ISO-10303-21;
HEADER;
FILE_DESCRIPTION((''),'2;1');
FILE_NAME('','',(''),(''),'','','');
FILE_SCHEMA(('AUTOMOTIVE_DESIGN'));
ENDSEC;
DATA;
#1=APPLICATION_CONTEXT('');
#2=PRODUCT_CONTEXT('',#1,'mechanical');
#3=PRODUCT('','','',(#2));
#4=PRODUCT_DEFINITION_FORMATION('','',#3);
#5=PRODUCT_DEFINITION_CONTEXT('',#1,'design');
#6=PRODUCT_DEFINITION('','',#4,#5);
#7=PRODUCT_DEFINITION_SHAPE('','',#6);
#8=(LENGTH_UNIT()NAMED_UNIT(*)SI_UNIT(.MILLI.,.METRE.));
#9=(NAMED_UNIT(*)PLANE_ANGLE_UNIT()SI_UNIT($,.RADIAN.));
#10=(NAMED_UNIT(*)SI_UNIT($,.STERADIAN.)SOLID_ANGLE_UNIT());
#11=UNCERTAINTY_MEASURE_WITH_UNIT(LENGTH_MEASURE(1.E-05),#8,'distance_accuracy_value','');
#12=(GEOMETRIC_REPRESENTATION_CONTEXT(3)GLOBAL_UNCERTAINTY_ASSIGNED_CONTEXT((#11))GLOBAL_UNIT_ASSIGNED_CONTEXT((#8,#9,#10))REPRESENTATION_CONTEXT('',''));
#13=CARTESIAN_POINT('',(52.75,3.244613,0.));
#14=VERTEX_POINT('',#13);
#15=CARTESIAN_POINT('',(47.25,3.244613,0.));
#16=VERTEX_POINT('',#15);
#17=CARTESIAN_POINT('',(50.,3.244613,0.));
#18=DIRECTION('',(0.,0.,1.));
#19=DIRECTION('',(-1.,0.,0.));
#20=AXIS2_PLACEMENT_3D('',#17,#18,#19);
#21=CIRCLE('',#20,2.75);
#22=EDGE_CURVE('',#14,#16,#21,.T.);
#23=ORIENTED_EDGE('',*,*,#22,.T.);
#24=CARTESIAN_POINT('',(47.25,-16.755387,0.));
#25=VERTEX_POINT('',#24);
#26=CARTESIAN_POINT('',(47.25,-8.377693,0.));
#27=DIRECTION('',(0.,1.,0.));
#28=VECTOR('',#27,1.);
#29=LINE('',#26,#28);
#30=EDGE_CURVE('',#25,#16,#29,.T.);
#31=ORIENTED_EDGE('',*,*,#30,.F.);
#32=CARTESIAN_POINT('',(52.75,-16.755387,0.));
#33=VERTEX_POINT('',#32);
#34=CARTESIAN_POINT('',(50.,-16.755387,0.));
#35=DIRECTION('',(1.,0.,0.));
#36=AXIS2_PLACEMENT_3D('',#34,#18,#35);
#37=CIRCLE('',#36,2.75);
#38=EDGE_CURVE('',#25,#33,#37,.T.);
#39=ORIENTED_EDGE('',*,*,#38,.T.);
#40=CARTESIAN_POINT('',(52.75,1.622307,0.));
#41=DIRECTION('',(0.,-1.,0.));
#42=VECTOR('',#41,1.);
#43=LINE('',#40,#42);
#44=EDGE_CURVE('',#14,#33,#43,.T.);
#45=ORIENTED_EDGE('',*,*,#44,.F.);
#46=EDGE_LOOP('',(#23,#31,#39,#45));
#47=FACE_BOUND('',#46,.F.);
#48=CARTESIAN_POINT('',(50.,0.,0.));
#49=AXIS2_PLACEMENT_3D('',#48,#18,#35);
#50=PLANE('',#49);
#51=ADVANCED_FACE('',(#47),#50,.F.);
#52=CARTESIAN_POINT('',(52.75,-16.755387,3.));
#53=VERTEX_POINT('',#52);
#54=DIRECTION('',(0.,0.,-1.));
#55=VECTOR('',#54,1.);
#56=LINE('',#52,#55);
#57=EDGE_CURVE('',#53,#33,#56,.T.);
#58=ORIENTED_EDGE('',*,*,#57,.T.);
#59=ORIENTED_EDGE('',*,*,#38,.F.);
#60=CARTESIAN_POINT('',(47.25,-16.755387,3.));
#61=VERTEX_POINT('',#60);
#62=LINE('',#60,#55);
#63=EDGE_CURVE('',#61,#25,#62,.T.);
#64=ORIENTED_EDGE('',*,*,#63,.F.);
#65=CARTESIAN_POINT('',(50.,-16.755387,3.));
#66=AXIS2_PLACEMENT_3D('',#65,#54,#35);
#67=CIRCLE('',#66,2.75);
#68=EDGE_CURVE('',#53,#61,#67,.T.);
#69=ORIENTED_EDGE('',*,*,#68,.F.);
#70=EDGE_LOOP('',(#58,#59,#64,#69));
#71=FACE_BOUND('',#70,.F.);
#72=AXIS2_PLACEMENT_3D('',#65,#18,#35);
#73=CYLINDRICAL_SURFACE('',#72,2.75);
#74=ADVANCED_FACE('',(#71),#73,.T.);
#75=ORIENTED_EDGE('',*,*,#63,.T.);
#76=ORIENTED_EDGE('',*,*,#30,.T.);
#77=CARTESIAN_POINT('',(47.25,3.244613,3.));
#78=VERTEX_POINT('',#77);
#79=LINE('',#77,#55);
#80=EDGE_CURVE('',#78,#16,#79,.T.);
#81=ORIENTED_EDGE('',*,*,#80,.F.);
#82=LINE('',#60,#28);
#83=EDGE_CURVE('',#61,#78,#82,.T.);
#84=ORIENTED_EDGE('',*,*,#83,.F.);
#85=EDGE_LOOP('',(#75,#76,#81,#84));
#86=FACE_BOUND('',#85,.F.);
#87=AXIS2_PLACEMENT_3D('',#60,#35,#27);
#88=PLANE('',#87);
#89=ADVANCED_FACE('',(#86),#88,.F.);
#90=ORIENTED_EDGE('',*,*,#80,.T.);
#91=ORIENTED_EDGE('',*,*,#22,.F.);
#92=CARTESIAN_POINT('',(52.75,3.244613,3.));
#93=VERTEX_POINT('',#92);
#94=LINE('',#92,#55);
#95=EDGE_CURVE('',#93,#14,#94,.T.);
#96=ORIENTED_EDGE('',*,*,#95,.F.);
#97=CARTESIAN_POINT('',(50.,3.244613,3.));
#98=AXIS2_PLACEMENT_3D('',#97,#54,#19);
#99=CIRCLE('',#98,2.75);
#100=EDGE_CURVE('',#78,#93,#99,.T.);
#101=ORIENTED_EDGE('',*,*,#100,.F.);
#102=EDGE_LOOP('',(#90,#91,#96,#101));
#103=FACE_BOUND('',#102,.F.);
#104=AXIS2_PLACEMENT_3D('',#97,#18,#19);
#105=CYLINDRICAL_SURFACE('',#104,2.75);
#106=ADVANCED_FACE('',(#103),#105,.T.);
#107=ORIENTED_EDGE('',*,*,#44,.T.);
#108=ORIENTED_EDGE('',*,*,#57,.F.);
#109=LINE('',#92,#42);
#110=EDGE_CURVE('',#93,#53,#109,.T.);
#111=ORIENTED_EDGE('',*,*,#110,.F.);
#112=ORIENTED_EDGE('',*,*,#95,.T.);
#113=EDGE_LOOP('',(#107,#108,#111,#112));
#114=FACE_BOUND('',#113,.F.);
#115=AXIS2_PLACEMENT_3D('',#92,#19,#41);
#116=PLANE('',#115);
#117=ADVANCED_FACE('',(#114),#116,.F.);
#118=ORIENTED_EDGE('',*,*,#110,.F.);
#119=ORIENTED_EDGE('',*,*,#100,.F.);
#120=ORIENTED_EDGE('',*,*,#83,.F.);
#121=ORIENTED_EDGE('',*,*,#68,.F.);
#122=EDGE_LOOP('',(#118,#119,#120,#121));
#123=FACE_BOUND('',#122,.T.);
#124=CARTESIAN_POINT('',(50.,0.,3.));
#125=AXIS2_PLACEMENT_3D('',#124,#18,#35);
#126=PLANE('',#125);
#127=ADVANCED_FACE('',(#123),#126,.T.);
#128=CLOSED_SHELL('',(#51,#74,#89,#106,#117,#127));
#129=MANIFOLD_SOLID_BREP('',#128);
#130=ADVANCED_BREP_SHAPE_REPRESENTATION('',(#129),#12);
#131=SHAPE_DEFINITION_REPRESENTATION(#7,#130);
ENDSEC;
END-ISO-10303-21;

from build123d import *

# Parameters (mm, degrees)
F0_W     = 100
F0_H     = 100
F1_DEPTH = 3
F2_W     = 100
F2_H     = 100
F3_DEPTH = 3.001


with BuildPart() as f1:
    # F0 (on Top) → F1 (new body)
    with BuildSketch(Plane.XY):
        with Locations((50, 0)):
            Rectangle(F0_W, F0_H)
    extrude(amount=F1_DEPTH)

    # F2 (on face) → F3 (cut, through all)
    with BuildSketch(Plane.XY.offset(3)):
        with Locations((50, 0)):
            Rectangle(F2_W, F2_H)
        with BuildLine():
            Line((47.25, -16.755387), (47.25, 3.244613))
            ThreePointArc((47.25, 3.244613), (50, 5.994613), (52.75, 3.244613))
            Line((52.75, 3.244613), (52.75, -16.755387))
            ThreePointArc((52.75, -16.755387), (50, -19.505387), (47.25, -16.755387))
        make_face(mode=Mode.SUBTRACT)
    extrude(amount=-F3_DEPTH, mode=Mode.SUBTRACT)


solid = f1.part
